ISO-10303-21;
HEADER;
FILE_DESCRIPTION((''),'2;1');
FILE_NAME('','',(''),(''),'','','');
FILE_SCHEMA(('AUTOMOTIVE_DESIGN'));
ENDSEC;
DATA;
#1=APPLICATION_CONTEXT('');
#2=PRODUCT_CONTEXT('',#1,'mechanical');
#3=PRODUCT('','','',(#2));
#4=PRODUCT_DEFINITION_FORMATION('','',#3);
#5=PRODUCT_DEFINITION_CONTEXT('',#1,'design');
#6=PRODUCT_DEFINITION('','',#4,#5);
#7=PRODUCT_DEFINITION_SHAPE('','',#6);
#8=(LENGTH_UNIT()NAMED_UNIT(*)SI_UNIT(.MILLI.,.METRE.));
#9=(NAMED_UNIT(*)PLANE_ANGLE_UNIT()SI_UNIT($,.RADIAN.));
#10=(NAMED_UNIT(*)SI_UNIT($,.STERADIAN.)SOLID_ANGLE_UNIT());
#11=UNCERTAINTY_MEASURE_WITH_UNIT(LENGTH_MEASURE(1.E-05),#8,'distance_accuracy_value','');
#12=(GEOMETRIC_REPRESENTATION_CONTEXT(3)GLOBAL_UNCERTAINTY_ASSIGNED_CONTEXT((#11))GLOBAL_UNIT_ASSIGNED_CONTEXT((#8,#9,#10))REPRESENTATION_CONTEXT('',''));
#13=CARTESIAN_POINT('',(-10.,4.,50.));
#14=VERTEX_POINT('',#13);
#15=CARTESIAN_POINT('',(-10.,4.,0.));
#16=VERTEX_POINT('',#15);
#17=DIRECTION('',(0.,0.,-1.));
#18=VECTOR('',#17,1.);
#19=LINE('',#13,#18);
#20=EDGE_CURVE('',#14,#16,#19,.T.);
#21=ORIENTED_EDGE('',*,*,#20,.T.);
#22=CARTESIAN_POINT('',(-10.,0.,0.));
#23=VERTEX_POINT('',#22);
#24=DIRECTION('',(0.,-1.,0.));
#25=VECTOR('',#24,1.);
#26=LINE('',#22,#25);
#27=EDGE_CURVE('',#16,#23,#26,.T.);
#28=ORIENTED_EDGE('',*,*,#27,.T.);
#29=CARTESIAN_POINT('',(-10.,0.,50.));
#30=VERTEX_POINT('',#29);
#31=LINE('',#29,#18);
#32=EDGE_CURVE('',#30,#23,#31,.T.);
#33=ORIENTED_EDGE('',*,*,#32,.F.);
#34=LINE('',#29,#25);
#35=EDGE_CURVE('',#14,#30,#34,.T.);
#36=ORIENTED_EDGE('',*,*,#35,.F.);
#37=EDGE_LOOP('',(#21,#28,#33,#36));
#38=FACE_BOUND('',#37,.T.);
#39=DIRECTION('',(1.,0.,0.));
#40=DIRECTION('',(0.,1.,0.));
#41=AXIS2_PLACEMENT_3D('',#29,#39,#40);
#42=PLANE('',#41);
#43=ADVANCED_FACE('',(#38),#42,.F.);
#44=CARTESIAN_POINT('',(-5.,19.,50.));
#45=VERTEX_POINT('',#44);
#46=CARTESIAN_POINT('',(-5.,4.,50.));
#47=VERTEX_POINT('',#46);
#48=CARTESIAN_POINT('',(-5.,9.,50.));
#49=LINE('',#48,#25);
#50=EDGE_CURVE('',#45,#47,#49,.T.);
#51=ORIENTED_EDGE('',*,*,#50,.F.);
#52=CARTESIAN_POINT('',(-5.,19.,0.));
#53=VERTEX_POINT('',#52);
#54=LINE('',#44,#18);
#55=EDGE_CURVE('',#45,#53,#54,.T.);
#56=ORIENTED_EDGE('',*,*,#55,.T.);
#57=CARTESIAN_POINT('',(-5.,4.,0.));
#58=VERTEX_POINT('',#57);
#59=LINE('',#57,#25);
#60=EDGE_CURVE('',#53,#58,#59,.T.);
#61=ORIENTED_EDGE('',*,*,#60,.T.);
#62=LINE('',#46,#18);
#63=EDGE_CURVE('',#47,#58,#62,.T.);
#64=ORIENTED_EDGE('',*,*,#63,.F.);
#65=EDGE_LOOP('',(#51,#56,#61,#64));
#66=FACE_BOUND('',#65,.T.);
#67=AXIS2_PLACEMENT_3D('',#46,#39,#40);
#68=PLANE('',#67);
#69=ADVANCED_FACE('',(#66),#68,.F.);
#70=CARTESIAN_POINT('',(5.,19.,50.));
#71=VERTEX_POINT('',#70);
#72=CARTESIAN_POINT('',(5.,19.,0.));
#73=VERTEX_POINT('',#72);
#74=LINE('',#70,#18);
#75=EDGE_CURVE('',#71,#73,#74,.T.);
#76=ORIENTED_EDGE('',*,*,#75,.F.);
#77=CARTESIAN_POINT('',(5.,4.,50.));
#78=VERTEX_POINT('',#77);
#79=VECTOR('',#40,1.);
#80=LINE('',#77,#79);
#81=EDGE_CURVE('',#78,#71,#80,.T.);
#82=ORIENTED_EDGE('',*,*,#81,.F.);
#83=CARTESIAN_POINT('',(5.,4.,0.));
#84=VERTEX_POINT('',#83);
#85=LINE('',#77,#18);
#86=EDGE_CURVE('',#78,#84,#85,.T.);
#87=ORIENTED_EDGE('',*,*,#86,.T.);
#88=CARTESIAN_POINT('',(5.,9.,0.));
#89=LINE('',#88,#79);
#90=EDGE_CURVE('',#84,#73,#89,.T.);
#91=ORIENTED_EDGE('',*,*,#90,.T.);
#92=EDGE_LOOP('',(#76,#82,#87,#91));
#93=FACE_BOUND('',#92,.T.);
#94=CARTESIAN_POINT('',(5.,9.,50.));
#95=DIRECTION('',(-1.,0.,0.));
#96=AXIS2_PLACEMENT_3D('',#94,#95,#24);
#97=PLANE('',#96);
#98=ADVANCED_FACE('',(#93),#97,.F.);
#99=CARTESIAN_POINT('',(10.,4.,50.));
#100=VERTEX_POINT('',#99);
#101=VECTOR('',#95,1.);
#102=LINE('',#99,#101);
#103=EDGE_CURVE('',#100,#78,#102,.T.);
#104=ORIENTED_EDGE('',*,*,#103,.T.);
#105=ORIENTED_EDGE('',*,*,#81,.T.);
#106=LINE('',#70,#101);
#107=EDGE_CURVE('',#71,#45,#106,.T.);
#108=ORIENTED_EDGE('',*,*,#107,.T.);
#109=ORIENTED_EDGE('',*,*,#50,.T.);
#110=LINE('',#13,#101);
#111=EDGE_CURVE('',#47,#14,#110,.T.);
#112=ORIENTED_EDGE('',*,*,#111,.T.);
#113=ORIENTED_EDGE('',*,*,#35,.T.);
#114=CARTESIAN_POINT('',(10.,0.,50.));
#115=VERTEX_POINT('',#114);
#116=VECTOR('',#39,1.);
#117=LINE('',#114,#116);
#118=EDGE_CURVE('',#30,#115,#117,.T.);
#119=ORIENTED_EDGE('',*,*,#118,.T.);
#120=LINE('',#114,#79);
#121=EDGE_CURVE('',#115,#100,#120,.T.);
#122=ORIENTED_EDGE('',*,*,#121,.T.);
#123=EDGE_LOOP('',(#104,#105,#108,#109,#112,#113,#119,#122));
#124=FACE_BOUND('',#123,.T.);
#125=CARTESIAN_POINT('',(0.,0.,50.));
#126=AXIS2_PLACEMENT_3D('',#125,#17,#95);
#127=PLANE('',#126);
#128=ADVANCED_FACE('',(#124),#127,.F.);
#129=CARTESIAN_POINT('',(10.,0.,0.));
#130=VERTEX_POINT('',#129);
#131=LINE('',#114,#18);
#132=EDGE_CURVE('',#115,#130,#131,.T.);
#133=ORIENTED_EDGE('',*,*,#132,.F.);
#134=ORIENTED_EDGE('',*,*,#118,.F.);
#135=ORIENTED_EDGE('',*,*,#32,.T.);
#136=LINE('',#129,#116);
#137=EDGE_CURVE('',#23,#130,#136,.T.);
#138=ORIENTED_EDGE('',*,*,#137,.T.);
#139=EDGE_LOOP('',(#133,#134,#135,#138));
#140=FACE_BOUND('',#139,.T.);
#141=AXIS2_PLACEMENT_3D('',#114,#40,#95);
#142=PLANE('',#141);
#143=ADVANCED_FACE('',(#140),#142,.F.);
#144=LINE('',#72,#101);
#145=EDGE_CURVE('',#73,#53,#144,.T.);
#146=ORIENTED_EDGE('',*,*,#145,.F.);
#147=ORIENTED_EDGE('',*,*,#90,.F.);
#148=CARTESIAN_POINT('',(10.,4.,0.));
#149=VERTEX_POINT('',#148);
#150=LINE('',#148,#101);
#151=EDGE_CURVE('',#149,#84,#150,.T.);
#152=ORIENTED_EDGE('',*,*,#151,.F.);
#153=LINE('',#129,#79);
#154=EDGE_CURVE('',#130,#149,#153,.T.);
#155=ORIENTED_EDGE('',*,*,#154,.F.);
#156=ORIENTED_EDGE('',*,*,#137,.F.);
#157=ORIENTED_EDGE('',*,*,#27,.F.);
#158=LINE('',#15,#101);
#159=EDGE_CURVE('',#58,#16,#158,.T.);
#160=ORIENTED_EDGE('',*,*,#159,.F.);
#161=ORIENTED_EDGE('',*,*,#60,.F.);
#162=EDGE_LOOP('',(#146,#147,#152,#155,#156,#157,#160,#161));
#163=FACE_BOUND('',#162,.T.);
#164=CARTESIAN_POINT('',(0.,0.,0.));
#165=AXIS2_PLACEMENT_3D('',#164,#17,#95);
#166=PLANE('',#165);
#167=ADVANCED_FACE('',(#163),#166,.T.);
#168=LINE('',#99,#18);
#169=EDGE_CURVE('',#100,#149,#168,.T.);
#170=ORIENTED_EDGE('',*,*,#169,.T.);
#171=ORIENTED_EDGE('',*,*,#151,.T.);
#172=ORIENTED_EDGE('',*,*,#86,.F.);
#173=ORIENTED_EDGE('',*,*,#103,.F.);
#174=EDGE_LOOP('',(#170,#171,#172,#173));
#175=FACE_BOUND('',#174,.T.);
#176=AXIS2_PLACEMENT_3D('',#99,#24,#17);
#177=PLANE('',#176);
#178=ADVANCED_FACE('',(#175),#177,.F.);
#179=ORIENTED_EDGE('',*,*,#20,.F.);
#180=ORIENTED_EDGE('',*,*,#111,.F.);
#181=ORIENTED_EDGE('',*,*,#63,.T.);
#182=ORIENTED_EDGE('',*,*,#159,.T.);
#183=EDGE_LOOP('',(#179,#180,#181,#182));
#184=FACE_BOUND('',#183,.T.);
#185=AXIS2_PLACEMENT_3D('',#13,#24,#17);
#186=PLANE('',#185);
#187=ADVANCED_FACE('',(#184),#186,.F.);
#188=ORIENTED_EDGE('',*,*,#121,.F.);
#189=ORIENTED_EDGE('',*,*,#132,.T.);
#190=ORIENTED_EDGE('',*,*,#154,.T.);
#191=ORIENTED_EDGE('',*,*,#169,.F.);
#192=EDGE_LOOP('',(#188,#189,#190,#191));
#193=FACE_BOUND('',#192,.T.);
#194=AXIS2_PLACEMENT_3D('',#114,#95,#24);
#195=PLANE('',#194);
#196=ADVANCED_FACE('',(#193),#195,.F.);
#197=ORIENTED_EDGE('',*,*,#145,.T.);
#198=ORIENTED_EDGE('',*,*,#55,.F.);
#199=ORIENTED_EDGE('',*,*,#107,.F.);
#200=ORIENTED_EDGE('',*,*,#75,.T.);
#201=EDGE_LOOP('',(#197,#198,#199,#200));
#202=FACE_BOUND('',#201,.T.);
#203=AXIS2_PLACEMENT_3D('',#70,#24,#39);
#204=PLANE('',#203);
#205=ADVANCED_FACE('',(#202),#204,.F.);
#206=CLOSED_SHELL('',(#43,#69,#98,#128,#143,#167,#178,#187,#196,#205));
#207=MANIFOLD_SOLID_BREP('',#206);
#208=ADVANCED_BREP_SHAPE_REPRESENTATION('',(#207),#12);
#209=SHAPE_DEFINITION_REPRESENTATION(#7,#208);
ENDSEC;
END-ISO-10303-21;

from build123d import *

# Parameters (mm, degrees)
BOSS_EXTRUDE1_DEPTH = 50


with BuildPart() as part:
    # Sketch1 → Boss-Extrude1 (new body)
    with BuildSketch(Plane.XY):
        Polygon((10, 0), (-10, 0), (-10, 4), (-5, 4), (-5, 9), (-5, 19), (5, 19), (5, 9), (5, 4), (10, 4), align=None)
    extrude(amount=BOSS_EXTRUDE1_DEPTH)


solid = part.part
